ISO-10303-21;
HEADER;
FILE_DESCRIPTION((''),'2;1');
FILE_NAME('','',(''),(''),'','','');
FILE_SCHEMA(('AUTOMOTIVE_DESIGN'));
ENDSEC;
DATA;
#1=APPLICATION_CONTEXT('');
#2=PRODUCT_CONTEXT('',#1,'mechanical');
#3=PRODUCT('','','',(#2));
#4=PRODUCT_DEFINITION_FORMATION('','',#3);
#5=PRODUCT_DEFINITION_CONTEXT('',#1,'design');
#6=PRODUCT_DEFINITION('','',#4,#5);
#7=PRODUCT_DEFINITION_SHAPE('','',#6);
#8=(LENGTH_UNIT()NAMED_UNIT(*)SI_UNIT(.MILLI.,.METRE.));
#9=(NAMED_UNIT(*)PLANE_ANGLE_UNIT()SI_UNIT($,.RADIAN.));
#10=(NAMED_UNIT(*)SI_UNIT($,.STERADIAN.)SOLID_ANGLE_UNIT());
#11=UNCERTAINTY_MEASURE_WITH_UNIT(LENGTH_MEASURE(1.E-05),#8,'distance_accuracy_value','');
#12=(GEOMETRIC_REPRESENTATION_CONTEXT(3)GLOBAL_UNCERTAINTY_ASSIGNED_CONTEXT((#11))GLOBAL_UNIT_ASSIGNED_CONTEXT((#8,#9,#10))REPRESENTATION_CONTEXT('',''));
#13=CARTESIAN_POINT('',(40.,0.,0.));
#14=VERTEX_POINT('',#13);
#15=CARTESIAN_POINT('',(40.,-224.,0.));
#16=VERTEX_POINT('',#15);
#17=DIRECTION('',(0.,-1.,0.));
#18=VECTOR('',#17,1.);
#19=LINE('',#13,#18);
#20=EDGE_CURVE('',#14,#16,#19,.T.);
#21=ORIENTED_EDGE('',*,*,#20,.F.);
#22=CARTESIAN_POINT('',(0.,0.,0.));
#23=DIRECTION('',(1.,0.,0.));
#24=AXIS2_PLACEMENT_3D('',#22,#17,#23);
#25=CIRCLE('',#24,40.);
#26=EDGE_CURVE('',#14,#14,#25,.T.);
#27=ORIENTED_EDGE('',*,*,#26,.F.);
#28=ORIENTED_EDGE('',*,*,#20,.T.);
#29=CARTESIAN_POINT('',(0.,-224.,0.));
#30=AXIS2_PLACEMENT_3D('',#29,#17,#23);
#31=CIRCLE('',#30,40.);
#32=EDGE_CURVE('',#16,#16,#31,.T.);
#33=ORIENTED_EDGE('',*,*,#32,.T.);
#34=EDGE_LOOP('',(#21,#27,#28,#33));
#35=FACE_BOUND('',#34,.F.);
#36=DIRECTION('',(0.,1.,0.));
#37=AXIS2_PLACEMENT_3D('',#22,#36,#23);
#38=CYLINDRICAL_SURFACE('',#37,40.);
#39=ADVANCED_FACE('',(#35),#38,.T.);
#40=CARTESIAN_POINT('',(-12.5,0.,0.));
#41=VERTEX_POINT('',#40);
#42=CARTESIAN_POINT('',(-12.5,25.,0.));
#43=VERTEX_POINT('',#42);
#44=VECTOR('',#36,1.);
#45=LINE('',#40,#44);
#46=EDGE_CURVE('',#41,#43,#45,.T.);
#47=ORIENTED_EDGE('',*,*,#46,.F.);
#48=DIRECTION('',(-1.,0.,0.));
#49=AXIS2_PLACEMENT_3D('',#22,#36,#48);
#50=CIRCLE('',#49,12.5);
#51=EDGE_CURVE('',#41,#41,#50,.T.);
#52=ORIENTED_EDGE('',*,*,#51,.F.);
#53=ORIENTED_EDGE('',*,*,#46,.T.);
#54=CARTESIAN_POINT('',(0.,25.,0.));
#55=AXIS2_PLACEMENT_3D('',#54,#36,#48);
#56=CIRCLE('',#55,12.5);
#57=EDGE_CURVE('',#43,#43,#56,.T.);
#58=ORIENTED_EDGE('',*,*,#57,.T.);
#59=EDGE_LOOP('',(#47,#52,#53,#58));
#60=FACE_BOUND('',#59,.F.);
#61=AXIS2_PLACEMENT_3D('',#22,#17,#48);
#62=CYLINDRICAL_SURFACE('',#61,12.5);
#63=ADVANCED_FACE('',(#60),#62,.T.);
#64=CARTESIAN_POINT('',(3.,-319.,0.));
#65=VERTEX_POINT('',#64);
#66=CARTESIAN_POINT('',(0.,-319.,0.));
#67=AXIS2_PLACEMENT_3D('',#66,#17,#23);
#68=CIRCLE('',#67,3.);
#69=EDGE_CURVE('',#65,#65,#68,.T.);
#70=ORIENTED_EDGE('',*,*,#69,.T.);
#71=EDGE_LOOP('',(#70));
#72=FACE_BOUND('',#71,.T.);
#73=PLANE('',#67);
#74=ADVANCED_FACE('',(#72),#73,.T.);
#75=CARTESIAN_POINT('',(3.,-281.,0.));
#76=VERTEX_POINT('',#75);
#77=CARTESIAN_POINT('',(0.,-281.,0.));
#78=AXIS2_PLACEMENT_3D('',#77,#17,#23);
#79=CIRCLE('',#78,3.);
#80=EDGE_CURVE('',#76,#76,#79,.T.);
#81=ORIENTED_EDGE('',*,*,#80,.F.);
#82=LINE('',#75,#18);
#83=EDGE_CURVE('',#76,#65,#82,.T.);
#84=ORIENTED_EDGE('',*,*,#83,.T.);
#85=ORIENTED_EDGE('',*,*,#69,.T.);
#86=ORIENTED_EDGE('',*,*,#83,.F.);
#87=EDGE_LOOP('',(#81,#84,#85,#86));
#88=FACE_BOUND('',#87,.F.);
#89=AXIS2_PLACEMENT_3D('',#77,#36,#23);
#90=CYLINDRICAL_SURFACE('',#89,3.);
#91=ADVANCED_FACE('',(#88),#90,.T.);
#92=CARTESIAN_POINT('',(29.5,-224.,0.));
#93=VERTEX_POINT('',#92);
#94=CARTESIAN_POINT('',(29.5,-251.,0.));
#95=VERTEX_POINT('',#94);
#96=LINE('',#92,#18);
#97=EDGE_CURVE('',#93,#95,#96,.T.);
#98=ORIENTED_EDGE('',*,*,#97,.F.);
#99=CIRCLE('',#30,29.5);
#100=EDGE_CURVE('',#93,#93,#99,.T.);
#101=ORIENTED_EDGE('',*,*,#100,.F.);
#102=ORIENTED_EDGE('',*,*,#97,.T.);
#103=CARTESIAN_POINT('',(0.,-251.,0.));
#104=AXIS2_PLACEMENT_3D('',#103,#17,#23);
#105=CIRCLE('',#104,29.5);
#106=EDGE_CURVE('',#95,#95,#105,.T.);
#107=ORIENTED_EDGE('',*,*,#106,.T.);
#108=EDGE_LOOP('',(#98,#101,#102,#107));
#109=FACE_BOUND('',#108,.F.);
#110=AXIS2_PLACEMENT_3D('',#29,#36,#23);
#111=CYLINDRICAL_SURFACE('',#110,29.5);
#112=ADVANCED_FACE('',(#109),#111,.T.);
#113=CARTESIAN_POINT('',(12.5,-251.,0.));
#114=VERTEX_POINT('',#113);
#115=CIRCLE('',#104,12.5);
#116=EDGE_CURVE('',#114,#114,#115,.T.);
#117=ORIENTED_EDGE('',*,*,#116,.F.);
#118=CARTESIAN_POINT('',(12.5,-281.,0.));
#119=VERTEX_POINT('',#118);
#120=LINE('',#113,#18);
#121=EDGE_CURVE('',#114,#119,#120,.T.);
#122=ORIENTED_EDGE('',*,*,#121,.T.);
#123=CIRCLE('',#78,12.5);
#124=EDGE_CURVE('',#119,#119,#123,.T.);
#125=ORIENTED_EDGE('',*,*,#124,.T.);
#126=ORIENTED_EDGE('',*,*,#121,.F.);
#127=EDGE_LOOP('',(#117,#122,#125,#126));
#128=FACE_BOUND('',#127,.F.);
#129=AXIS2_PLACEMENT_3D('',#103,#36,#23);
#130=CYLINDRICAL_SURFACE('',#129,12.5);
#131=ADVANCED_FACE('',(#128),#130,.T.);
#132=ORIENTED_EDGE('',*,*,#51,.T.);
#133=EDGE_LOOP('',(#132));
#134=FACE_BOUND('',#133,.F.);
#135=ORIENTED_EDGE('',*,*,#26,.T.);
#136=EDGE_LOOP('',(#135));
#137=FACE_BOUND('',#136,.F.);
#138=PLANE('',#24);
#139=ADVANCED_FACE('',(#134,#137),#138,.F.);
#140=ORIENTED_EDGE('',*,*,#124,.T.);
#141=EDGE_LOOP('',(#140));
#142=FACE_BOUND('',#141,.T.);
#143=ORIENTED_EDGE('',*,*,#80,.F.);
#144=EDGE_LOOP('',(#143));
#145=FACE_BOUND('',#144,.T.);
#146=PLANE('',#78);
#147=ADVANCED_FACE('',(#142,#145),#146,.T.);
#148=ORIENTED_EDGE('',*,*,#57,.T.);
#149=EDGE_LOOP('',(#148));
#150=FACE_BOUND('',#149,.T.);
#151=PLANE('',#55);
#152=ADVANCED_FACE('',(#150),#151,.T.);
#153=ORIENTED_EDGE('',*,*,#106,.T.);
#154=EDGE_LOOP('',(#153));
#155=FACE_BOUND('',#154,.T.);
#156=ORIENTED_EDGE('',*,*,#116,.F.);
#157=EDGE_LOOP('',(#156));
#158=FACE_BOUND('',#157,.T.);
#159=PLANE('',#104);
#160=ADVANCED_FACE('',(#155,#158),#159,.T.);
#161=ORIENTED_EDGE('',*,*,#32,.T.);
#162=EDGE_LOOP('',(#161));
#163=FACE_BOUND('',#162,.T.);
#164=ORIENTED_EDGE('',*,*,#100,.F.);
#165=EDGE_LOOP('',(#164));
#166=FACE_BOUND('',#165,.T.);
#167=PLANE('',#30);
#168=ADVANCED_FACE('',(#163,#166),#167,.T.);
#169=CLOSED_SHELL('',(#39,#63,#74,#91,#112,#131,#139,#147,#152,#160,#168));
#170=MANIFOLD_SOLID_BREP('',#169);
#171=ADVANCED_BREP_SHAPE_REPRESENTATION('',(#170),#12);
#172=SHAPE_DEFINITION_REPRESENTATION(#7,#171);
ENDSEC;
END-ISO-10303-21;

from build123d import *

# Parameters (mm, degrees)
F0_R     = 40
F1_DEPTH = 224
F2_R     = 29.5
F3_DEPTH = 27
F4_R     = 12.5
F5_DEPTH = 30
F6_R     = 12.5
F7_DEPTH = 25
F8_R     = 3
F9_DEPTH = 38


with BuildPart() as f1:
    # F0 (on Front) → F1 (new body)
    with BuildSketch(Plane.XZ):
        Circle(F0_R)
    extrude(amount=F1_DEPTH)

    # F2 (on face) → F3 (join)
    with BuildSketch(Plane.XZ.offset(224)):
        Circle(F2_R)
    extrude(amount=F3_DEPTH)

    # F4 (on face) → F5 (join)
    with BuildSketch(Plane.XZ.offset(251)):
        Circle(F4_R)
    extrude(amount=F5_DEPTH)

    # F6 (on face) → F7 (join)
    with BuildSketch(Plane(origin=(0, 0, 0), x_dir=(-1, 0, 0), z_dir=(0, 1, 0))):
        Circle(F6_R)
    extrude(amount=F7_DEPTH)

    # F8 (on face) → F9 (join)
    with BuildSketch(Plane.XZ.offset(281)):
        Circle(F8_R)
    extrude(amount=F9_DEPTH)


solid = f1.part
